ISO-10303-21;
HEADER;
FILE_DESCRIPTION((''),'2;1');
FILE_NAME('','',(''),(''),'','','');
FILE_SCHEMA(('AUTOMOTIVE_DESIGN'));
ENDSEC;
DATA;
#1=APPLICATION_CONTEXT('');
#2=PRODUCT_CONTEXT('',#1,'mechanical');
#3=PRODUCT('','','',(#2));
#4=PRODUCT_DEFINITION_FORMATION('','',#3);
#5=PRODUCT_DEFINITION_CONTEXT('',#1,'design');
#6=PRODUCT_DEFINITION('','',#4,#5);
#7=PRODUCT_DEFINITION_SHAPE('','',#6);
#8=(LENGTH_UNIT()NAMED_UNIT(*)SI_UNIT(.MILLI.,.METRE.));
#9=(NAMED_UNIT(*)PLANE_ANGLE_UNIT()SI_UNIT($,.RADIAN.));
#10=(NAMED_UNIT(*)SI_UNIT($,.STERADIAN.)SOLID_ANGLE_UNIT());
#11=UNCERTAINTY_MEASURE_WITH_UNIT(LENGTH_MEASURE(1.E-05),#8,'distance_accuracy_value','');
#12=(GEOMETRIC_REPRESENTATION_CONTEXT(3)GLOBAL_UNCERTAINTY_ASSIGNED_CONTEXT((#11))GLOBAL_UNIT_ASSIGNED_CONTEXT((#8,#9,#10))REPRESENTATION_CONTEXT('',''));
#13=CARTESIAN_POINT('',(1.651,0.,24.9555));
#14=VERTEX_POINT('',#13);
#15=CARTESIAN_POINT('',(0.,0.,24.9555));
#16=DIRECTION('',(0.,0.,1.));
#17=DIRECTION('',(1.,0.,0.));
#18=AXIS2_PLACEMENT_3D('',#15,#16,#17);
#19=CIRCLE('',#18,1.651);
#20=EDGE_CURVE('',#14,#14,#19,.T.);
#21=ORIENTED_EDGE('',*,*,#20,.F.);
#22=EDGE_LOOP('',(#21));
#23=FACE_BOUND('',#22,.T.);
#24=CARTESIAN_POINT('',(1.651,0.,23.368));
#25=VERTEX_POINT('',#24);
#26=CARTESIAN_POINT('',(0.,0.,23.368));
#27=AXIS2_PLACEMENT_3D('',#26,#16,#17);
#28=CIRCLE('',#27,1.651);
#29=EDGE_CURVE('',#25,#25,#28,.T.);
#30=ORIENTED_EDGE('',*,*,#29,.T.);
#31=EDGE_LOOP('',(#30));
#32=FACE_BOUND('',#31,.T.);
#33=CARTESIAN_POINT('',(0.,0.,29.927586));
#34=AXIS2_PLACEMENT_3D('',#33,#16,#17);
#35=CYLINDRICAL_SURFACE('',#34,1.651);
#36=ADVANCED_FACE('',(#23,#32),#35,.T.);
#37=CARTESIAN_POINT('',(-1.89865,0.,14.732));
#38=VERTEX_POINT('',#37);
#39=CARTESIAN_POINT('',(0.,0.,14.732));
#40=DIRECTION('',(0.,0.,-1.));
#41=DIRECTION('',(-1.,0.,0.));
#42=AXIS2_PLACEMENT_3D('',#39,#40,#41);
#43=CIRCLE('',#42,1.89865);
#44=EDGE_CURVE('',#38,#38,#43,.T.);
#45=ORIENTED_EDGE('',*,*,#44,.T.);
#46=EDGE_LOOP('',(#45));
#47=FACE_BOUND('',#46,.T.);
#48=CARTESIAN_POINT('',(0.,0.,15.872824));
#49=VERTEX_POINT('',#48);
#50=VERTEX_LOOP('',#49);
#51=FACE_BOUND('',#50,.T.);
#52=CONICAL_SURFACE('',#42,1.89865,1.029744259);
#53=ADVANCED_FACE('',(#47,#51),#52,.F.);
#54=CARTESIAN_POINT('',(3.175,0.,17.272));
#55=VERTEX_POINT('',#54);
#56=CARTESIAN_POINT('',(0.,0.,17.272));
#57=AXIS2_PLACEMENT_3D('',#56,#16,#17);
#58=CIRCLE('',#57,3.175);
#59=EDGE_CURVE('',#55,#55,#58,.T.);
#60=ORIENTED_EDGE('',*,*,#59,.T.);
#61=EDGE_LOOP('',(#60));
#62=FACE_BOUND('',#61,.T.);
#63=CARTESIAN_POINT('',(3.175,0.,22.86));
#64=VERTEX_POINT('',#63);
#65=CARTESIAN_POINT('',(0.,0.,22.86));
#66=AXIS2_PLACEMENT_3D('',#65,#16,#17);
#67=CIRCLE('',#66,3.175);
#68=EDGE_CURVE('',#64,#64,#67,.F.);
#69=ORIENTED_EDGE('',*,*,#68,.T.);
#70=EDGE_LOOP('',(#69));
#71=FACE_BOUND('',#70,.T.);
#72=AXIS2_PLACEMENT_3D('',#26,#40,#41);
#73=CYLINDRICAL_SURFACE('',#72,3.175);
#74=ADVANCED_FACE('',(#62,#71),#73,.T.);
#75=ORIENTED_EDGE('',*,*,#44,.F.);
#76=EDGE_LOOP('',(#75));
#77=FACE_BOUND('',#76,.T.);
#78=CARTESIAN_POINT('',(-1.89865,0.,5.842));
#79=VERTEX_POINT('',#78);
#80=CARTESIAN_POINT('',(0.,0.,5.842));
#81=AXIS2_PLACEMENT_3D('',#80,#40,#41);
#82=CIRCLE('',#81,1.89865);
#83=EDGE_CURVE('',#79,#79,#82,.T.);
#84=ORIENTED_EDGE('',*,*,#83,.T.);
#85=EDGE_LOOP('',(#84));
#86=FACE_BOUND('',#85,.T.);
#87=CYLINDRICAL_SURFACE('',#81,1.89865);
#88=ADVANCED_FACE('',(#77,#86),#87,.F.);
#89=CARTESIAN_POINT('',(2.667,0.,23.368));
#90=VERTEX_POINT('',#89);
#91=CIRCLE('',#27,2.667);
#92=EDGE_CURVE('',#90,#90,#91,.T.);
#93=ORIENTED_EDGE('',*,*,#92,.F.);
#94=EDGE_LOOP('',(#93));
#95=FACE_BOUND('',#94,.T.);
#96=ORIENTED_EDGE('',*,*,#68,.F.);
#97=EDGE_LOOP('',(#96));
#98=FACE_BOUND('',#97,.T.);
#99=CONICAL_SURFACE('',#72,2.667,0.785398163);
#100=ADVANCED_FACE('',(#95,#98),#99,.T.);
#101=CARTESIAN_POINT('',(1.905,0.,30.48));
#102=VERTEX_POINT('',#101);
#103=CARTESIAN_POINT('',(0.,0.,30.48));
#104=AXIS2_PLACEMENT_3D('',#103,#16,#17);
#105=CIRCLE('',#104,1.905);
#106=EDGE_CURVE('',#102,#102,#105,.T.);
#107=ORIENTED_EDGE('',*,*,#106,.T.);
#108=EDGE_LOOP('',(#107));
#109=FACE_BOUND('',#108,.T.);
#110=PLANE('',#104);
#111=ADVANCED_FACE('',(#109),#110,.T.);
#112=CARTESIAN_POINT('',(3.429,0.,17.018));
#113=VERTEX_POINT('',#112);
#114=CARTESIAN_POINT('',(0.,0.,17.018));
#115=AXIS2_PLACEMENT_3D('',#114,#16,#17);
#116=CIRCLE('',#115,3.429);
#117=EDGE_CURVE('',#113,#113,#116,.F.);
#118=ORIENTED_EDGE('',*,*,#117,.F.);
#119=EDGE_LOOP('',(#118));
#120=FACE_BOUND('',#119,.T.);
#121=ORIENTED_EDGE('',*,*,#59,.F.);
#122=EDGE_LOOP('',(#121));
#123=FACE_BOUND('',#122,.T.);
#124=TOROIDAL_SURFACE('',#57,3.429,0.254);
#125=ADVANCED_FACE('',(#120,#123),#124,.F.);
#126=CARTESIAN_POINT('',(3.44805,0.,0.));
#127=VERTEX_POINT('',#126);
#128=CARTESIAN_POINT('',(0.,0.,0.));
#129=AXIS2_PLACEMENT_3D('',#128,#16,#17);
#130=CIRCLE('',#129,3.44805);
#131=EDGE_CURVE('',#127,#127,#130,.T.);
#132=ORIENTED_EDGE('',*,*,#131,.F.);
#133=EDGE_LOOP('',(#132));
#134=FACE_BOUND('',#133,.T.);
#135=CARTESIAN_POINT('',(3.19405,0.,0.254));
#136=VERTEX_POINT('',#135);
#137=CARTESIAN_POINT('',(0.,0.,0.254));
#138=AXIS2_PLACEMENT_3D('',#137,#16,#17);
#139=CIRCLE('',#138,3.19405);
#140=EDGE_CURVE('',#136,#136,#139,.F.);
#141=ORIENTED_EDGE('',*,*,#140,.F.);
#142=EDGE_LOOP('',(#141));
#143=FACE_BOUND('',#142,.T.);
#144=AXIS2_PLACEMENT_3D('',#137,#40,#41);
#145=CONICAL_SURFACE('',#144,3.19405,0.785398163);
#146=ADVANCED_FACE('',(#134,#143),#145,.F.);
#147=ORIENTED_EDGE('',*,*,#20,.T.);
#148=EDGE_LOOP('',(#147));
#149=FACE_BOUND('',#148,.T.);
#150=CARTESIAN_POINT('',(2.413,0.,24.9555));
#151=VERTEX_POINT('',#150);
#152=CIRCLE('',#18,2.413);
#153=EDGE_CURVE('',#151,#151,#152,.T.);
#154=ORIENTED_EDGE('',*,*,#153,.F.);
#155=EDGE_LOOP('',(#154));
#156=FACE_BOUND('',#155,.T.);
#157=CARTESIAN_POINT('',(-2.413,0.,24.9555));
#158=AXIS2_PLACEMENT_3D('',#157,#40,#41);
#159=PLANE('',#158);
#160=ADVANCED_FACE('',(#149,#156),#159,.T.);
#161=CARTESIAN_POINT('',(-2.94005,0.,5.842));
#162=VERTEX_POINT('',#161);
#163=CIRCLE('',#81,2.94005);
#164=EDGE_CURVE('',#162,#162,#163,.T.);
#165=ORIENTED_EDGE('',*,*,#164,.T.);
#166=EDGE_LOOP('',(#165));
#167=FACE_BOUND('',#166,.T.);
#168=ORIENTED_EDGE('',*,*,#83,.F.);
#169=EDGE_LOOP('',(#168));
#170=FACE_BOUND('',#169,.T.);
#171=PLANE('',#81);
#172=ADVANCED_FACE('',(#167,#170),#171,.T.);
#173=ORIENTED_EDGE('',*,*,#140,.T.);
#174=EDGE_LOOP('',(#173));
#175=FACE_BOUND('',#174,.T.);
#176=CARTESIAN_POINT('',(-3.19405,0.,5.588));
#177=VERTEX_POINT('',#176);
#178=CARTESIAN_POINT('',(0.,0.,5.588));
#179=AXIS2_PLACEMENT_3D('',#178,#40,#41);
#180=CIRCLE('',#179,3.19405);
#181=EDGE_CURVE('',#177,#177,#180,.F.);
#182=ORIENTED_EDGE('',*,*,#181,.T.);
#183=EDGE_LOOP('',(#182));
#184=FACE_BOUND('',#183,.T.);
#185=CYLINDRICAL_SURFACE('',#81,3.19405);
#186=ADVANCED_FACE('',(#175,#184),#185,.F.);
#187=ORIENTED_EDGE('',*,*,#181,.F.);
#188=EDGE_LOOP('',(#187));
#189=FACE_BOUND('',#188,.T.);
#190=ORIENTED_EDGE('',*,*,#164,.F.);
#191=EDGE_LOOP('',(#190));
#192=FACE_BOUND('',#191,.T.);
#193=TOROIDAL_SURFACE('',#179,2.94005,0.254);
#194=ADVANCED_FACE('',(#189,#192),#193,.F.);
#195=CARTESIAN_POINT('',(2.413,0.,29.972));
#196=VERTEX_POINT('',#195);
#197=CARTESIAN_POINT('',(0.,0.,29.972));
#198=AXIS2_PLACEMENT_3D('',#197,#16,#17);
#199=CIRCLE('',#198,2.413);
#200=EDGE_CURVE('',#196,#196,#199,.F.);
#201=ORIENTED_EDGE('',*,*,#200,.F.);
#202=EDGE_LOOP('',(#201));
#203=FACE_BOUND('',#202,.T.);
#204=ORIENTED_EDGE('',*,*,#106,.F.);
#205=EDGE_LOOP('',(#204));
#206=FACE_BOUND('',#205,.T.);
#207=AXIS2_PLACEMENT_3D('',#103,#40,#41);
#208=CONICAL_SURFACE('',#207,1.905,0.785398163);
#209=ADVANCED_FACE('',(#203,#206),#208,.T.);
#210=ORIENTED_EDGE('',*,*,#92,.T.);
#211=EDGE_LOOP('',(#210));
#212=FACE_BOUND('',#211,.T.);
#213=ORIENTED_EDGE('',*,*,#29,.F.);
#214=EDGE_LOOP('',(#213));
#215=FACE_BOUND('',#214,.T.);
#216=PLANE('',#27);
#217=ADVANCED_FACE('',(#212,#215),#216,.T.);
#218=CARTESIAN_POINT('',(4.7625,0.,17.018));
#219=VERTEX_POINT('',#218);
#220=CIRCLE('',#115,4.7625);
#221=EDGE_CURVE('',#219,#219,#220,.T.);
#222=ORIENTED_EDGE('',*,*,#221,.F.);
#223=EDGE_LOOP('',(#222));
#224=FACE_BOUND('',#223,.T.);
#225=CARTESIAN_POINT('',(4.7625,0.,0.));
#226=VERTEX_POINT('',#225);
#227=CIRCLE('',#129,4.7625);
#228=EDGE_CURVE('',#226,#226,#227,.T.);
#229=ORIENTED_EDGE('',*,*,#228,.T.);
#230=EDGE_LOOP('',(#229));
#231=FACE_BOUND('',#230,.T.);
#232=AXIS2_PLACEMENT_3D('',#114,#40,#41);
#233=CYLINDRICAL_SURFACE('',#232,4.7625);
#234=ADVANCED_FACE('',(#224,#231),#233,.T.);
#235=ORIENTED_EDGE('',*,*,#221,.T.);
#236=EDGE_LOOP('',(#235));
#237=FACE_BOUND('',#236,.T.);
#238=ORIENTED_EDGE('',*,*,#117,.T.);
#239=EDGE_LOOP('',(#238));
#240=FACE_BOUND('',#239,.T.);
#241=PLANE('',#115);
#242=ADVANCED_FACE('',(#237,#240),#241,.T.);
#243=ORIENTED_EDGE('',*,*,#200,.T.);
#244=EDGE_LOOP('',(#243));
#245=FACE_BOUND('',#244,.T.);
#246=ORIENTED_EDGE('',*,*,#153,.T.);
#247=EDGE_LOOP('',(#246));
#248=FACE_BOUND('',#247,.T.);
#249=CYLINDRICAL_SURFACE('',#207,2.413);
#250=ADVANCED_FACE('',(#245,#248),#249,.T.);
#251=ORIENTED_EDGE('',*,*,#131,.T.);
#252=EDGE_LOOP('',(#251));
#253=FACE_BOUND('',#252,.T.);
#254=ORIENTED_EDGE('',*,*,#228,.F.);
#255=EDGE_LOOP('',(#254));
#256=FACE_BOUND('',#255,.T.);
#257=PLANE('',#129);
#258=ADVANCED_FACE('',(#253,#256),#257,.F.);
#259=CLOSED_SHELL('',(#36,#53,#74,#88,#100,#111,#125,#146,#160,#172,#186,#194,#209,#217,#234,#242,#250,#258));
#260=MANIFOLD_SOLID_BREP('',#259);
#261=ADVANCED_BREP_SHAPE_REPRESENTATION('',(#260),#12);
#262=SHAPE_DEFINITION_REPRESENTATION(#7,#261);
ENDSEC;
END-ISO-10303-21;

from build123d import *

# Parameters (mm, degrees)
SKETCH1_R                  = 4.7625
BOSS_EXTRUDE1_DEPTH        = 17.018
SKETCH2_R                  = 3.175
BOSS_EXTRUDE2_DEPTH        = 6.35
SKETCH4_R                  = 2.413
BOSS_EXTRUDE3_DEPTH        = 7.112
SKETCH5_R                  = 3.19405
CUT_EXTRUDE2_DEPTH         = 5.842
CHAMFER1_SIZE              = 0.254
FILLET1_R                  = 0.254
CHAMFER2_SIZE              = 0.508
F_10_24_TAPPED_HOLE1_D     = 3.7973
F_10_24_TAPPED_HOLE1_DEPTH = 8.89
F_10_24_TAPPED_HOLE1_TIP   = 1.140824014
CHAMFER3_SIZE              = 0.508
SKETCH10_W                 = 0.762
SKETCH10_H                 = 1.5875
FILLET2_R                  = 0.254


with BuildPart() as part:
    # Sketch1 → Boss-Extrude1 (new body)
    with BuildSketch(Plane.XY):
        Circle(SKETCH1_R)
    extrude(amount=BOSS_EXTRUDE1_DEPTH)

    # Sketch2 → Boss-Extrude2 (add)
    with BuildSketch(Plane.XY.offset(17.018)):
        Circle(SKETCH2_R)
    extrude(amount=BOSS_EXTRUDE2_DEPTH)

    # Sketch4 → Boss-Extrude3 (add)
    with BuildSketch(Plane.XY.offset(23.368)):
        Circle(SKETCH4_R)
    extrude(amount=BOSS_EXTRUDE3_DEPTH)

    # Sketch5 → Cut-Extrude2 (cut)
    with BuildSketch(Plane(origin=(0, 0, 0), x_dir=(-1, 0, 0), z_dir=(0, 0, -1))):
        Circle(SKETCH5_R)
    extrude(amount=-CUT_EXTRUDE2_DEPTH, mode=Mode.SUBTRACT)

    # Chamfer1
    chamfer1_edges = [part.edges().sort_by_distance(p)[0] for p in [
        (3.19405, 0, 0),
    ]]
    chamfer(chamfer1_edges, length=CHAMFER1_SIZE)

    # Fillet1
    fillet1_edges = [part.edges().sort_by_distance(p)[0] for p in [
        (3.19405, 0, 5.842),
    ]]
    fillet(fillet1_edges, radius=FILLET1_R)

    # Chamfer2
    chamfer2_edges = [part.edges().sort_by_distance(p)[0] for p in [
        (-3.175, 0, 23.368),
    ]]
    chamfer(chamfer2_edges, length=CHAMFER2_SIZE)

    # #10-24 Tapped Hole1
    with Locations(Plane(origin=(0, 0, 5.842), x_dir=(-1, 0, 0), z_dir=(0, 0, -1))):
        with Locations((0, 0)):
            Hole(F_10_24_TAPPED_HOLE1_D / 2, depth=F_10_24_TAPPED_HOLE1_DEPTH)
            with Locations((0, 0, -(F_10_24_TAPPED_HOLE1_DEPTH + F_10_24_TAPPED_HOLE1_TIP / 2))):  # 118° drill point
                Cone(0, F_10_24_TAPPED_HOLE1_D / 2, F_10_24_TAPPED_HOLE1_TIP, mode=Mode.SUBTRACT)

    # Chamfer3
    chamfer3_edges = [part.edges().sort_by_distance(p)[0] for p in [
        (-2.413, 0, 30.48),
    ]]
    chamfer(chamfer3_edges, length=CHAMFER3_SIZE)

    # Sketch10 → Cut-Revolve1 (revolve, cut)
    with BuildSketch(Plane(origin=(0, 0, 0), x_dir=(1, 0, 0), z_dir=(0, 1, 0))):
        with Locations((-2.032, -24.16175)):
            Rectangle(SKETCH10_W, SKETCH10_H)
    revolve(axis=Axis((0, 0, 29.927585912), (0, 0, -1)), mode=Mode.SUBTRACT)

    # Fillet2
    fillet2_edges = [part.edges().sort_by_distance(p)[0] for p in [
        (-3.175, 0, 17.018),
    ]]
    fillet(fillet2_edges, radius=FILLET2_R)


solid = part.part
